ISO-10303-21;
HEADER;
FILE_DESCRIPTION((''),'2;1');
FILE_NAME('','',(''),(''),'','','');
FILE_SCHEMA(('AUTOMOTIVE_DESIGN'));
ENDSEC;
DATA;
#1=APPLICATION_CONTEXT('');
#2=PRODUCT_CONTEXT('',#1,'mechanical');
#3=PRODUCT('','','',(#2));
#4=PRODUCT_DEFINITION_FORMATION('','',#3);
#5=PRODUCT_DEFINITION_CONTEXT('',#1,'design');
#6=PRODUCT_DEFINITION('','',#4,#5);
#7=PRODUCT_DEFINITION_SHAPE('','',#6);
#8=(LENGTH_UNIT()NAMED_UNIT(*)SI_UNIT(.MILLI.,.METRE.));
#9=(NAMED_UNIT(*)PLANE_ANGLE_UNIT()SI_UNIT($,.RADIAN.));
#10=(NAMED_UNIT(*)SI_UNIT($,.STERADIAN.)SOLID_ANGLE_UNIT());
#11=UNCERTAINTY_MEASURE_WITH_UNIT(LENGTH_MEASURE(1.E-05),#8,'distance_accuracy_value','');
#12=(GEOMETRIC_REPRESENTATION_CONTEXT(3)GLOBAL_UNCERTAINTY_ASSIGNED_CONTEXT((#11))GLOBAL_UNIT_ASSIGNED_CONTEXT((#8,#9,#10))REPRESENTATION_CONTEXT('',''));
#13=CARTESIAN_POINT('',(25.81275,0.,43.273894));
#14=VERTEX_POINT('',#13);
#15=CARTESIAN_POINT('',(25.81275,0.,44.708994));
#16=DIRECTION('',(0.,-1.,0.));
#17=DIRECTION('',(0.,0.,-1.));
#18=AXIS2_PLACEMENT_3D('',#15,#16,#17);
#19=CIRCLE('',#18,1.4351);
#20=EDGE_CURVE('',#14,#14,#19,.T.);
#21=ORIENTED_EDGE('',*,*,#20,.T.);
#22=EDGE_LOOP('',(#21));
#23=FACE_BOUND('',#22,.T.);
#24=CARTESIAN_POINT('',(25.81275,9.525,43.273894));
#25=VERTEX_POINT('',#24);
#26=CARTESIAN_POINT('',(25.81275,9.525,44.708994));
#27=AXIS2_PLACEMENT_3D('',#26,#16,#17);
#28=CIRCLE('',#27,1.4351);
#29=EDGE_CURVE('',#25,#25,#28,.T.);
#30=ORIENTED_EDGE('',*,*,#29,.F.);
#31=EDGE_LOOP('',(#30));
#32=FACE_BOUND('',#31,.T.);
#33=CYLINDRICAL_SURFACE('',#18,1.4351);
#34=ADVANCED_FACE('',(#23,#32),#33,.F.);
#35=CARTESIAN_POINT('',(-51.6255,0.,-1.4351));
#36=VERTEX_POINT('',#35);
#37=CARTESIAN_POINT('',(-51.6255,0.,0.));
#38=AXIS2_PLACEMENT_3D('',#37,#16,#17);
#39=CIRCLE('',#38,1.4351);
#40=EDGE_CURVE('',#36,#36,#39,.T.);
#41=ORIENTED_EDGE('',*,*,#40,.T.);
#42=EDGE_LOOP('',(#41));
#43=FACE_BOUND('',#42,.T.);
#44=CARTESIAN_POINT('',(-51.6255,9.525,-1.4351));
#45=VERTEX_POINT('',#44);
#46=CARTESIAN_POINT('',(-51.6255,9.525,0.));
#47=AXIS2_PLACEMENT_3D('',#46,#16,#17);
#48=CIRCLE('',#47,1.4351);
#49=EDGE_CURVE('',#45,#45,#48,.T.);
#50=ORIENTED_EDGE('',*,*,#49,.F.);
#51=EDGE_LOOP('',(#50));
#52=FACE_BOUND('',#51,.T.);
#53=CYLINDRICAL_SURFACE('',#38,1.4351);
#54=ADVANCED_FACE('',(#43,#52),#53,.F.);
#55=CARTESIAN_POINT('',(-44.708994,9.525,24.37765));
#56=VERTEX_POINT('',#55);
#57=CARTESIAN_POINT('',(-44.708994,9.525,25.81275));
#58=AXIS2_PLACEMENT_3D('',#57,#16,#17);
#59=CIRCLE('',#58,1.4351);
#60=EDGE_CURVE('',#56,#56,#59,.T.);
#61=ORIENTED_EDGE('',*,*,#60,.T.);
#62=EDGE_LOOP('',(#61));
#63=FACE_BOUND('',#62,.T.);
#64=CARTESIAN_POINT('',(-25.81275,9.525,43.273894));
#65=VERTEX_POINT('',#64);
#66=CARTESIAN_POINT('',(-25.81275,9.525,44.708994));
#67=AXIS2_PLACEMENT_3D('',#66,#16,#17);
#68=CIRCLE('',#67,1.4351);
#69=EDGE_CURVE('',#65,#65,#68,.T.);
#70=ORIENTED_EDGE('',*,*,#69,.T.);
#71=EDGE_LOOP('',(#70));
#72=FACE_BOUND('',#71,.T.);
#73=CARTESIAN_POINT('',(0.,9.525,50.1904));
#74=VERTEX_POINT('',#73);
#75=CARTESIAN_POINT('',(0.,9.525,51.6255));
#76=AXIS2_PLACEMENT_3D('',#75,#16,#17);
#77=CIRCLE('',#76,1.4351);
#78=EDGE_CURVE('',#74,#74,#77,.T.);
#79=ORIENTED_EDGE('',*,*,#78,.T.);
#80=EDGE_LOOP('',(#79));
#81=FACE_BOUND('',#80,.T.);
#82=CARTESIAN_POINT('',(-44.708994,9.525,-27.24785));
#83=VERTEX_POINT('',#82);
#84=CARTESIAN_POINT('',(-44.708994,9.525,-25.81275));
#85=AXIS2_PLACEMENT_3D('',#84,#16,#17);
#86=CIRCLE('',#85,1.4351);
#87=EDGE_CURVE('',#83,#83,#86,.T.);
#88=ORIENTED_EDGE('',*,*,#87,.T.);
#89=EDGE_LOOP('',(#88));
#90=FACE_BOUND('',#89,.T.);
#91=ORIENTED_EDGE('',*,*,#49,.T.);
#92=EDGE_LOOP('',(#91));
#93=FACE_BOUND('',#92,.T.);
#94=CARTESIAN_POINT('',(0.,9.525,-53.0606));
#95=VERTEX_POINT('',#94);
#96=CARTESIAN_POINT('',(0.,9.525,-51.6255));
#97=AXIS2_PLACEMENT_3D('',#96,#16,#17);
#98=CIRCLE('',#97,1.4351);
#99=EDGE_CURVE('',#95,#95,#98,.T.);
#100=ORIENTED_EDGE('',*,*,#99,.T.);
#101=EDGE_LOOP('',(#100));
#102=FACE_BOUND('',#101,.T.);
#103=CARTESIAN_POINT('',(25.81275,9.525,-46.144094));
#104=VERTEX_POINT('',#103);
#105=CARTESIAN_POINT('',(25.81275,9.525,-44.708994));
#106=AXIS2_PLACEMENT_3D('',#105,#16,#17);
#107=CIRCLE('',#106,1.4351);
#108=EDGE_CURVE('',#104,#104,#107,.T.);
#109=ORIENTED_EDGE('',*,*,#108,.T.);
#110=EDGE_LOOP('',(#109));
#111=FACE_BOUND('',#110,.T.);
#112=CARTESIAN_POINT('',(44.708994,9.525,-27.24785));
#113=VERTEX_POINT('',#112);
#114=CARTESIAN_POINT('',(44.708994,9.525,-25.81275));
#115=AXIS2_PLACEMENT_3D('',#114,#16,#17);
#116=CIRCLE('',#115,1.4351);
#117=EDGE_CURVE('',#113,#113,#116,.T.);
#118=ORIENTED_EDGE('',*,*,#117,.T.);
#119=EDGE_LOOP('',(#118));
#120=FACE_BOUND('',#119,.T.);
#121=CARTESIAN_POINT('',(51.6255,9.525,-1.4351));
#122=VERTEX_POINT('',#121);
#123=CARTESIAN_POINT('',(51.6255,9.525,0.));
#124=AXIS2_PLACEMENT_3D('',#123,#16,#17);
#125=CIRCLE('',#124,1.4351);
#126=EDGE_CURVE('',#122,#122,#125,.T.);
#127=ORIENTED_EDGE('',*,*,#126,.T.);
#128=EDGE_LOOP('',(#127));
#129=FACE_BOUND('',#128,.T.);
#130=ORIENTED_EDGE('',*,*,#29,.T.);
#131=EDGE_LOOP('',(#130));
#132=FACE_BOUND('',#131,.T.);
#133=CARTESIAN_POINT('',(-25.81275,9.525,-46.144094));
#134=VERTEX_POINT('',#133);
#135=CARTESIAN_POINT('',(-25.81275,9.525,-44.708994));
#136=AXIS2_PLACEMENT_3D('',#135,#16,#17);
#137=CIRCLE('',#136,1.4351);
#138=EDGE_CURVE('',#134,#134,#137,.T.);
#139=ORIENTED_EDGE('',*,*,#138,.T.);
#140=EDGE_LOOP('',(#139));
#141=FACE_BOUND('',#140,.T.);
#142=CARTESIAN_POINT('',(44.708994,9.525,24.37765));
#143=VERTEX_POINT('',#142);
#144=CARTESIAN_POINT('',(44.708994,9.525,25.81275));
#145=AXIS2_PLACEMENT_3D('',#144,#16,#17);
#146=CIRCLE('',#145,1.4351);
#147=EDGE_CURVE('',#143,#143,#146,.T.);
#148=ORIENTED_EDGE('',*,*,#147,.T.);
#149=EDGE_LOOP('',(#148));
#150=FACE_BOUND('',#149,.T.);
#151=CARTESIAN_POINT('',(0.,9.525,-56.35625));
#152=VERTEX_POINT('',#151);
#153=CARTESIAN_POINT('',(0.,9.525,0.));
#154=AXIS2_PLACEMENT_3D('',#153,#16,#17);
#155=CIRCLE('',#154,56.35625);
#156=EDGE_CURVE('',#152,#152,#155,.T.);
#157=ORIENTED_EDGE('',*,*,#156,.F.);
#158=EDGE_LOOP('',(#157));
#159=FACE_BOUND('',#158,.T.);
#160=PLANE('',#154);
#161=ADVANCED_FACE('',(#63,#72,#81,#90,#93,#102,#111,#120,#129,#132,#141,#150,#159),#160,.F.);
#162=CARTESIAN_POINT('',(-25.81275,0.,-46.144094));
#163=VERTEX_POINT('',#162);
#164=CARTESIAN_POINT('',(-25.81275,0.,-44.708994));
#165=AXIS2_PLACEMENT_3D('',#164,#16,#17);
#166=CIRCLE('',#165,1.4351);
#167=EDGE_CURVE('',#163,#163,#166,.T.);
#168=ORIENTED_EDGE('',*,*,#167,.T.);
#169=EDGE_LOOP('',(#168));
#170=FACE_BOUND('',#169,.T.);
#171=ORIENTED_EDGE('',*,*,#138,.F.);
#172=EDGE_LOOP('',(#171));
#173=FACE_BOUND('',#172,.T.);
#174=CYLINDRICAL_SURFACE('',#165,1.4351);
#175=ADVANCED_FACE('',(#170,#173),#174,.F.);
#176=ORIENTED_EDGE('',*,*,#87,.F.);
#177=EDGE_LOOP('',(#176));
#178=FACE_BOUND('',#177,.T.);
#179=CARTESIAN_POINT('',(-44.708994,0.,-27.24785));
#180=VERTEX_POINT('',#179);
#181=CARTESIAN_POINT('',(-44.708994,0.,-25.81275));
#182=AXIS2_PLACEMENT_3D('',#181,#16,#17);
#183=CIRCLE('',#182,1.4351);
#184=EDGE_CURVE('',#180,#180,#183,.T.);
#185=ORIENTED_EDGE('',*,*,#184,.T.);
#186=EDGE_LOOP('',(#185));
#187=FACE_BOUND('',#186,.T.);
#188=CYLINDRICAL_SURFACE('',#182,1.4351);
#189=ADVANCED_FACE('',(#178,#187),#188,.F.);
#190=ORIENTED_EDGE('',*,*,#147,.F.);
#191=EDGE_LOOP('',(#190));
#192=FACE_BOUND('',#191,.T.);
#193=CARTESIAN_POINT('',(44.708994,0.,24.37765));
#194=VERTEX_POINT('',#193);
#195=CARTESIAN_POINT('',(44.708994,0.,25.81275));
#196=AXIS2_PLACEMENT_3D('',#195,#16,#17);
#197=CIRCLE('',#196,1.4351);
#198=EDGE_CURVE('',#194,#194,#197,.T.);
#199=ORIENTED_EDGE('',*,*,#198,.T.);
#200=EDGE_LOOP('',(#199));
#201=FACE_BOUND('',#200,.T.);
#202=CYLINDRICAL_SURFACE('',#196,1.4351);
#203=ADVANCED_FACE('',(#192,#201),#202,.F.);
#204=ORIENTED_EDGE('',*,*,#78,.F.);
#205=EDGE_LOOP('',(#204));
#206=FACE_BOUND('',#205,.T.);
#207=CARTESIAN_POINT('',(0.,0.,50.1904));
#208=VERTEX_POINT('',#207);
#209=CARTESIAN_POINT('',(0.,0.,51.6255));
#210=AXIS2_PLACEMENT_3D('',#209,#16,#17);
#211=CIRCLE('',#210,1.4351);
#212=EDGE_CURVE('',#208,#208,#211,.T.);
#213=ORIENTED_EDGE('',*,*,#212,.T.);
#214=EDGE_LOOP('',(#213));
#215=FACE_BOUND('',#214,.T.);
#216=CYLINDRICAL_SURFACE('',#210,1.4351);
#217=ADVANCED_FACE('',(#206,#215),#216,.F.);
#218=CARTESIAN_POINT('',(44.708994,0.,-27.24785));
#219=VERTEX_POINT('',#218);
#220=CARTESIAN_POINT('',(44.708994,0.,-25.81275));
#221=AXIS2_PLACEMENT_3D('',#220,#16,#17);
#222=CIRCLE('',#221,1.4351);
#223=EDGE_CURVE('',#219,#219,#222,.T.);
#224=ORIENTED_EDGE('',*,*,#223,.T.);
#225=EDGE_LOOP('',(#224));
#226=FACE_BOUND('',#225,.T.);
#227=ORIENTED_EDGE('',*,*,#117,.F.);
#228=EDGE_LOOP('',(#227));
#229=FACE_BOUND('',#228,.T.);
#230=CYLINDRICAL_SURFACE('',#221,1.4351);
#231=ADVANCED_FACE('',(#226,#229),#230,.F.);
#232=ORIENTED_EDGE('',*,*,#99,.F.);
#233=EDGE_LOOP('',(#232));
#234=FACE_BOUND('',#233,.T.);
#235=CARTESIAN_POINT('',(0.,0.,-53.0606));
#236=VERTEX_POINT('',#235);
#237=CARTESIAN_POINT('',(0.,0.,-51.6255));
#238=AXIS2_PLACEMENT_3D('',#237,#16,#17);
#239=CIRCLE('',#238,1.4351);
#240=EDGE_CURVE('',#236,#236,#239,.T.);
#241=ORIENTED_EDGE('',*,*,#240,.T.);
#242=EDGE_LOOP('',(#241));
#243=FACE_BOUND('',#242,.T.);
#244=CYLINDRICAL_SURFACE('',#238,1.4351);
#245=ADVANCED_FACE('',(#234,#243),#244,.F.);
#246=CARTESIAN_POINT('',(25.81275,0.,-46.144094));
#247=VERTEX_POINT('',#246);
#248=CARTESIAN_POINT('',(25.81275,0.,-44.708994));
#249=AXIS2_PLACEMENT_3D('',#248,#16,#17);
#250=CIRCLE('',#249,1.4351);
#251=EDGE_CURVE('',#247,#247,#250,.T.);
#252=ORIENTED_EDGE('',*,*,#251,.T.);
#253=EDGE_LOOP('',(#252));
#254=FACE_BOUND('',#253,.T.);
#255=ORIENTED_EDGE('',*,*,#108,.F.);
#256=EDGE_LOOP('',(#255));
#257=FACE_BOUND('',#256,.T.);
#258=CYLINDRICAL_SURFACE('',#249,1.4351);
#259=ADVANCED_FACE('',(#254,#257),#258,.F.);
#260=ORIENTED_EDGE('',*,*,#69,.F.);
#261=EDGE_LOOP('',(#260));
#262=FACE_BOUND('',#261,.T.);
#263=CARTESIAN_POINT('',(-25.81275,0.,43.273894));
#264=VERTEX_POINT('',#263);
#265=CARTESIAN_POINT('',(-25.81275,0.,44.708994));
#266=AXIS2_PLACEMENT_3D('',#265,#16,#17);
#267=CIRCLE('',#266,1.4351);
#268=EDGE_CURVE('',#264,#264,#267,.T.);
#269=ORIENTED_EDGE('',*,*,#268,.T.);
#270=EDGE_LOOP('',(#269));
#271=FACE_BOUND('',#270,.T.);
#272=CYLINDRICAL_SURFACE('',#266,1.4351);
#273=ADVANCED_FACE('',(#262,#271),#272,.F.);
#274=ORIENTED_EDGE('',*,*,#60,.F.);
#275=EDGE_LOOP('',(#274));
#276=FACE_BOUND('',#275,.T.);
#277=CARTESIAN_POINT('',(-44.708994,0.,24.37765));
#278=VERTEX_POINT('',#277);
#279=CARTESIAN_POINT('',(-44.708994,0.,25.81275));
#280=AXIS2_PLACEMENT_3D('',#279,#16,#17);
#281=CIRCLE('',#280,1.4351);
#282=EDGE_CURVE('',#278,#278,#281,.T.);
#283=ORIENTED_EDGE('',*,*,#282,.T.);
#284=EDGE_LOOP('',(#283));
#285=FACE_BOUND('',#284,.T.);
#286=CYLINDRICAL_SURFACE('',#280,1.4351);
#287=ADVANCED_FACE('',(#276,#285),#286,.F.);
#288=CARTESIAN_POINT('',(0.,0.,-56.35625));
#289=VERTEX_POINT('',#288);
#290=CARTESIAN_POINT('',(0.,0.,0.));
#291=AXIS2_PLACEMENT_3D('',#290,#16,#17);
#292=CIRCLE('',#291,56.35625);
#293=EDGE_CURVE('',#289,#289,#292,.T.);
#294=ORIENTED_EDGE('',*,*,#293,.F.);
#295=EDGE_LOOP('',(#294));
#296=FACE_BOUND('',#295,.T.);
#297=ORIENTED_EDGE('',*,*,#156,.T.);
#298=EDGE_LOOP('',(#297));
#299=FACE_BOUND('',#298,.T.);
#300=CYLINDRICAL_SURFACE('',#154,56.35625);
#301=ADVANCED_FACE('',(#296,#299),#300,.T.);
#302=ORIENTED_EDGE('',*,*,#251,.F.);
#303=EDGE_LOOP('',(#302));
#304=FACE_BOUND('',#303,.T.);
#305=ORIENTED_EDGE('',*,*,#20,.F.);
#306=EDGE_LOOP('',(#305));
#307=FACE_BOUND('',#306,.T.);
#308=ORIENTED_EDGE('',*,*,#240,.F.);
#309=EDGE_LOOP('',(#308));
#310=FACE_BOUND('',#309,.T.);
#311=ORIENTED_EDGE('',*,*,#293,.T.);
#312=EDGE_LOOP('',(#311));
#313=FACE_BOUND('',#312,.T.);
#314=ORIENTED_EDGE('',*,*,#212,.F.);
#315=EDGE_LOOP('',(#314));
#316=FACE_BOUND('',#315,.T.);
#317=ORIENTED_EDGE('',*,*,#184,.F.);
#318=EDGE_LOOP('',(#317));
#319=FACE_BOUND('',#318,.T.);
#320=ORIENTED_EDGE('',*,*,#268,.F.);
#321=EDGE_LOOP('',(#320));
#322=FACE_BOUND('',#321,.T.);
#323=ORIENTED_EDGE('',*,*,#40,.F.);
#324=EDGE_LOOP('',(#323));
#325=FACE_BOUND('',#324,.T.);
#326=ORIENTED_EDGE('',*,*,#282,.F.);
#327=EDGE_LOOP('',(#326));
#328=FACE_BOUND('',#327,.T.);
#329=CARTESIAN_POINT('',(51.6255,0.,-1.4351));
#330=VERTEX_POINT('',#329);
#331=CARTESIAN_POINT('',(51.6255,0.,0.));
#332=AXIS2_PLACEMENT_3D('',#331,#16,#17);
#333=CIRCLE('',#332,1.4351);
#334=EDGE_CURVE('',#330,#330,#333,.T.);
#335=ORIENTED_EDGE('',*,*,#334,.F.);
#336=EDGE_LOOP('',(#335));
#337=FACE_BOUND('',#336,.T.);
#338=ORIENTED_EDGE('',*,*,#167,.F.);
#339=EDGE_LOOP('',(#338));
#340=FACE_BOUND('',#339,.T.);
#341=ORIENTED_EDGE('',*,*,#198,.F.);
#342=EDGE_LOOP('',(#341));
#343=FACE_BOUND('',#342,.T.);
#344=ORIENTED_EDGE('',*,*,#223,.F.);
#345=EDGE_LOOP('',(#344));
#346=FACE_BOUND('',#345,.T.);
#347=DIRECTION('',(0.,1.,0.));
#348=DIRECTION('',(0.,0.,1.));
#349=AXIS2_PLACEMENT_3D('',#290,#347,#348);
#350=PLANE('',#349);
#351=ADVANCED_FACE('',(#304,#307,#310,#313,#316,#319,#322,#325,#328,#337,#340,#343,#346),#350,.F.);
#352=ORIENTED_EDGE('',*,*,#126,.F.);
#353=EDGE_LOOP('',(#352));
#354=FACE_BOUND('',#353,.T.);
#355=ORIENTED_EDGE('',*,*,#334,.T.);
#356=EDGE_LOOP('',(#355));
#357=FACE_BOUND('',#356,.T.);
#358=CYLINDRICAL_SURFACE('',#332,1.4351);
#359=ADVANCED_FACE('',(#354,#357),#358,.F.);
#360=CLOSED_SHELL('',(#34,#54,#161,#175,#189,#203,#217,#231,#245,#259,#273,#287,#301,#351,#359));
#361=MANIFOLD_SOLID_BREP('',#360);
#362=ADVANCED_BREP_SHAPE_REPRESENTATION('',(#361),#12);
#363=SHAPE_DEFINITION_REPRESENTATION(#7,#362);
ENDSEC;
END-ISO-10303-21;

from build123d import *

# Parameters (mm, degrees)
SKETCH2_R           = 25.4
BASE_CYLINDER_DEPTH = 19.05
SKETCH3_R           = 56.35625
AFT_FLANGE_DEPTH    = 9.525
BOLT_CIRCLE_D       = 2.8702
BOLT_CIRCLE_DEPTH   = 9.525
SKETCH20_W          = 71.924294246
SKETCH20_H          = 16.463903039
CUT_EXTRUDE2_DEPTH  = 152.4


with BuildPart() as part:
    # Sketch2 → Base Cylinder (new body)
    with BuildSketch(Plane(origin=(0, 0, 0), x_dir=(1, 0, 0), z_dir=(0, 1, 0))):
        Circle(SKETCH2_R)
    extrude(amount=BASE_CYLINDER_DEPTH)

    # Sketch3 → Aft Flange (add)
    with BuildSketch(Plane.XZ):
        Circle(SKETCH3_R)
    extrude(amount=-AFT_FLANGE_DEPTH)

    # Bolt Circle
    with Locations(Plane(origin=(0, 0, 0), x_dir=(-1, 0, 0), z_dir=(0, -1, 0))):
        with Locations((-25.81275, -44.708994483), (-44.708994483, -25.81275), (-51.6255, 0), (-44.708994483, 25.81275), (-25.81275, 44.708994483), (0, 51.6255), (25.81275, 44.708994483), (44.708994483, 25.81275), (51.6255, 0), (44.708994483, -25.81275), (25.81275, -44.708994483), (0, -51.6255)):
            Hole(BOLT_CIRCLE_D / 2, depth=BOLT_CIRCLE_DEPTH)

    # Sketch20 → Cut-Extrude2 (cut, symmetric)
    with BuildSketch(Plane.XY):
        with Locations((-3.698234988, 17.756951519)):
            Rectangle(SKETCH20_W, SKETCH20_H)
    extrude(amount=CUT_EXTRUDE2_DEPTH, both=True, mode=Mode.SUBTRACT)


solid = part.part
